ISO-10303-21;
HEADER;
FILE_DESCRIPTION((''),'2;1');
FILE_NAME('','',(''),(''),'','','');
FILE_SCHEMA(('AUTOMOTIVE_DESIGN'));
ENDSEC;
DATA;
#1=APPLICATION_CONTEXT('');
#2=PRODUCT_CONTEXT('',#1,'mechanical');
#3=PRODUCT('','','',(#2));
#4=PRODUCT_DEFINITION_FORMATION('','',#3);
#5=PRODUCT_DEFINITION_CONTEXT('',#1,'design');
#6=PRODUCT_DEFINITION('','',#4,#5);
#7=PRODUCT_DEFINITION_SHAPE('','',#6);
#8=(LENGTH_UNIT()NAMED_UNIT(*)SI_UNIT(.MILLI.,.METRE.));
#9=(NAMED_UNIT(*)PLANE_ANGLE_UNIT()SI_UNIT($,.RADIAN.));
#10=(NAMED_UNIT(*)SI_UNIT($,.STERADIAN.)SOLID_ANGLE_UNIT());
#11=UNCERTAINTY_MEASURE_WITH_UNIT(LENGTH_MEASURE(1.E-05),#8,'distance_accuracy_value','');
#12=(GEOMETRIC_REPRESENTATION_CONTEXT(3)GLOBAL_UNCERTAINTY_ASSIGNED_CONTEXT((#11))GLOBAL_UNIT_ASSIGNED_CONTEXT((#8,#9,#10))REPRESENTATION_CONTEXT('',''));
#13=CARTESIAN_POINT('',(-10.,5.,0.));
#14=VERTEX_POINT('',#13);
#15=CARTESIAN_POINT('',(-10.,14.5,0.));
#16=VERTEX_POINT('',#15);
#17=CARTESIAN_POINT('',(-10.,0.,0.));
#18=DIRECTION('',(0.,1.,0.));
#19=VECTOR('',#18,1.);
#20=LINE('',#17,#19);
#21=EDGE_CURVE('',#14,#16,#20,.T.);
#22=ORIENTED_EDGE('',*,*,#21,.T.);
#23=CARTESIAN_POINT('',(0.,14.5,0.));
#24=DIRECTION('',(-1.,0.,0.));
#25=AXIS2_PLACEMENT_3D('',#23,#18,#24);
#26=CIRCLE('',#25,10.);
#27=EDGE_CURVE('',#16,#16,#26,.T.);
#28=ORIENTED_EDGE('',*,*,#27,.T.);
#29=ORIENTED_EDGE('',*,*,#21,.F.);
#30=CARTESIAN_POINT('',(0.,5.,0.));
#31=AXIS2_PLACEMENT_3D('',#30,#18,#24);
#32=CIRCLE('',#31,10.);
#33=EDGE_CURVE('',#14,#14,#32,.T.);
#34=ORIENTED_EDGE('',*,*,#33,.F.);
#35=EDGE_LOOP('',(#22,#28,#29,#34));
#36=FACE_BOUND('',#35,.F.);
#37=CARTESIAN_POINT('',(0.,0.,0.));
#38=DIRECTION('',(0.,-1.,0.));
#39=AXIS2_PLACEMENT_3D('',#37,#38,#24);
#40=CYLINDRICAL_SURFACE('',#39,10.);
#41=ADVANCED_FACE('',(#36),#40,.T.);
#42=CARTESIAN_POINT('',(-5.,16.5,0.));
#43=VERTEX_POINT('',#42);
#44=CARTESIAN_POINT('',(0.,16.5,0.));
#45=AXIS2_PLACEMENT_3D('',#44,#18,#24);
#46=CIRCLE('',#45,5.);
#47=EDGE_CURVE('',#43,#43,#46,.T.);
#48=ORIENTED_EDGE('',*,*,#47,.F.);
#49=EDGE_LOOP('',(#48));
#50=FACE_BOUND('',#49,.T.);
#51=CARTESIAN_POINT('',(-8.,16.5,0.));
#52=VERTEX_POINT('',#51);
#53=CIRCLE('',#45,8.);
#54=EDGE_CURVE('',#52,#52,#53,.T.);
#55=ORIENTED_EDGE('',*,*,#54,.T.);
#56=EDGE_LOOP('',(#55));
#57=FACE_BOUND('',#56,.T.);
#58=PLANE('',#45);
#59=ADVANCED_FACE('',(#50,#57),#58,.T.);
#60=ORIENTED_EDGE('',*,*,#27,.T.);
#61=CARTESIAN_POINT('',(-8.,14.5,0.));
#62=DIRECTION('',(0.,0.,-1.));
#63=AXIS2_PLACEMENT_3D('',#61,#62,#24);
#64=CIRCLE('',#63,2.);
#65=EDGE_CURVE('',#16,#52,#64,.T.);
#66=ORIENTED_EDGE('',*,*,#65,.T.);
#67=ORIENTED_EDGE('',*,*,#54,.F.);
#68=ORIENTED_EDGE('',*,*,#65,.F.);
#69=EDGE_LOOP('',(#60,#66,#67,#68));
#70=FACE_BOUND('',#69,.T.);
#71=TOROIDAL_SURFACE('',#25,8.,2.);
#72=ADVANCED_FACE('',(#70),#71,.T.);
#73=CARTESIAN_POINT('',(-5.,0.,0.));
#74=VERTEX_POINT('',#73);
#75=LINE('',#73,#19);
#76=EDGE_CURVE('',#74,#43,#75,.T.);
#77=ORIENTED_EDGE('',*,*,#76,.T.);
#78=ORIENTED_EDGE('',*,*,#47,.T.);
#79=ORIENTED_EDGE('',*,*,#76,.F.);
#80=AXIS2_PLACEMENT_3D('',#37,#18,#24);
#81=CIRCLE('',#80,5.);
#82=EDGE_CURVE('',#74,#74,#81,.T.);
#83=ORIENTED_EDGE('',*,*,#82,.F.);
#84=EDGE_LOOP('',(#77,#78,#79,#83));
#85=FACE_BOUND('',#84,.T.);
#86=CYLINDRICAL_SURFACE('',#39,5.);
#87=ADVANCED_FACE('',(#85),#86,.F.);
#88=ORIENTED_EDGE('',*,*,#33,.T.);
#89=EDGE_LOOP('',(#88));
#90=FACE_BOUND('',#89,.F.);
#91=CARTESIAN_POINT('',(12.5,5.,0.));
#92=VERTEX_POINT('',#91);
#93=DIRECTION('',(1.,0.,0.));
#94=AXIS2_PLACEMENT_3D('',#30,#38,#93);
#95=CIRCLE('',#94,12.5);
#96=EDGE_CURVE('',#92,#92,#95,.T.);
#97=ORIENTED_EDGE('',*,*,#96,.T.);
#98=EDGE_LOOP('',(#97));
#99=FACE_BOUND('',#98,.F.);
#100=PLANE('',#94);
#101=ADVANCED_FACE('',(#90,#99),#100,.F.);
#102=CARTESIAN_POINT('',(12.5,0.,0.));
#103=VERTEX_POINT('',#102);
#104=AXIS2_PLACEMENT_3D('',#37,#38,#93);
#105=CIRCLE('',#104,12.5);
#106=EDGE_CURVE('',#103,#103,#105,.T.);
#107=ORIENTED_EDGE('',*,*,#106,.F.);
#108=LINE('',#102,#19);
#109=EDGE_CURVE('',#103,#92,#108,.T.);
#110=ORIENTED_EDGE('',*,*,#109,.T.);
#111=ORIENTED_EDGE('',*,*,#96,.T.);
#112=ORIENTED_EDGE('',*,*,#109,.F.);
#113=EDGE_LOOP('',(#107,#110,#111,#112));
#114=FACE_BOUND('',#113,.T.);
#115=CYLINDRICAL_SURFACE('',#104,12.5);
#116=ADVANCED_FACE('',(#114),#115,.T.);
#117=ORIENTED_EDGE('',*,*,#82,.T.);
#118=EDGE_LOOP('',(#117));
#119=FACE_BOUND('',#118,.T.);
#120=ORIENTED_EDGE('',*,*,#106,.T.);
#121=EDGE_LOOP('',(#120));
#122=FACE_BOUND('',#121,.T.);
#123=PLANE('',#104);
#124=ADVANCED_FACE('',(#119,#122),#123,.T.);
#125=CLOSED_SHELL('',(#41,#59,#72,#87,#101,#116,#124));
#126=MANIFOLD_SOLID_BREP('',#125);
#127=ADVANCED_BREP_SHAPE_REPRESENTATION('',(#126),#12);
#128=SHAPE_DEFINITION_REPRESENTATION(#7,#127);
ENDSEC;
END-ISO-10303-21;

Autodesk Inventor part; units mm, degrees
ref_plane "YZ Plane" through (0, 0, 0) normal (1, 0, 0) x (0, 1, 0)
ref_plane "XZ Plane" through (0, 0, 0) normal (0, 1, 0) x (-1, 0, 0)
ref_plane "XY Plane" through (0, 0, 0) normal (0, 0, 1) x (1, 0, 0)
sketch "Sketch1" plane through (0, 0, 0) normal (0, 1, 0) x (-1, 0, 0)
  circle A0 centre (0, 0) radius 5
  circle A1 centre (0, 0) radius 10
  dimension "d0" = 10
  dimension "d1" = 20
extrude "Extrusion1" add sketch "Sketch1" along normal blind 16.5
sketch "Sketch2" plane through (0, 0, 0) normal (0, -1, 0) x (1, 0, 0)
  circle A0 centre (0, 0) radius 12.5
  circle A1 centre (0, 0) radius 10 projected
  dimension "d4" = 25
extrude "Extrusion2" add sketch "Sketch2" against normal blind 5
fillet "Fillet1" radius 2 1 edges at (10, 16.5, 0)
properties part number "Bushing_beam" material "Brass, Soft Yellow"
